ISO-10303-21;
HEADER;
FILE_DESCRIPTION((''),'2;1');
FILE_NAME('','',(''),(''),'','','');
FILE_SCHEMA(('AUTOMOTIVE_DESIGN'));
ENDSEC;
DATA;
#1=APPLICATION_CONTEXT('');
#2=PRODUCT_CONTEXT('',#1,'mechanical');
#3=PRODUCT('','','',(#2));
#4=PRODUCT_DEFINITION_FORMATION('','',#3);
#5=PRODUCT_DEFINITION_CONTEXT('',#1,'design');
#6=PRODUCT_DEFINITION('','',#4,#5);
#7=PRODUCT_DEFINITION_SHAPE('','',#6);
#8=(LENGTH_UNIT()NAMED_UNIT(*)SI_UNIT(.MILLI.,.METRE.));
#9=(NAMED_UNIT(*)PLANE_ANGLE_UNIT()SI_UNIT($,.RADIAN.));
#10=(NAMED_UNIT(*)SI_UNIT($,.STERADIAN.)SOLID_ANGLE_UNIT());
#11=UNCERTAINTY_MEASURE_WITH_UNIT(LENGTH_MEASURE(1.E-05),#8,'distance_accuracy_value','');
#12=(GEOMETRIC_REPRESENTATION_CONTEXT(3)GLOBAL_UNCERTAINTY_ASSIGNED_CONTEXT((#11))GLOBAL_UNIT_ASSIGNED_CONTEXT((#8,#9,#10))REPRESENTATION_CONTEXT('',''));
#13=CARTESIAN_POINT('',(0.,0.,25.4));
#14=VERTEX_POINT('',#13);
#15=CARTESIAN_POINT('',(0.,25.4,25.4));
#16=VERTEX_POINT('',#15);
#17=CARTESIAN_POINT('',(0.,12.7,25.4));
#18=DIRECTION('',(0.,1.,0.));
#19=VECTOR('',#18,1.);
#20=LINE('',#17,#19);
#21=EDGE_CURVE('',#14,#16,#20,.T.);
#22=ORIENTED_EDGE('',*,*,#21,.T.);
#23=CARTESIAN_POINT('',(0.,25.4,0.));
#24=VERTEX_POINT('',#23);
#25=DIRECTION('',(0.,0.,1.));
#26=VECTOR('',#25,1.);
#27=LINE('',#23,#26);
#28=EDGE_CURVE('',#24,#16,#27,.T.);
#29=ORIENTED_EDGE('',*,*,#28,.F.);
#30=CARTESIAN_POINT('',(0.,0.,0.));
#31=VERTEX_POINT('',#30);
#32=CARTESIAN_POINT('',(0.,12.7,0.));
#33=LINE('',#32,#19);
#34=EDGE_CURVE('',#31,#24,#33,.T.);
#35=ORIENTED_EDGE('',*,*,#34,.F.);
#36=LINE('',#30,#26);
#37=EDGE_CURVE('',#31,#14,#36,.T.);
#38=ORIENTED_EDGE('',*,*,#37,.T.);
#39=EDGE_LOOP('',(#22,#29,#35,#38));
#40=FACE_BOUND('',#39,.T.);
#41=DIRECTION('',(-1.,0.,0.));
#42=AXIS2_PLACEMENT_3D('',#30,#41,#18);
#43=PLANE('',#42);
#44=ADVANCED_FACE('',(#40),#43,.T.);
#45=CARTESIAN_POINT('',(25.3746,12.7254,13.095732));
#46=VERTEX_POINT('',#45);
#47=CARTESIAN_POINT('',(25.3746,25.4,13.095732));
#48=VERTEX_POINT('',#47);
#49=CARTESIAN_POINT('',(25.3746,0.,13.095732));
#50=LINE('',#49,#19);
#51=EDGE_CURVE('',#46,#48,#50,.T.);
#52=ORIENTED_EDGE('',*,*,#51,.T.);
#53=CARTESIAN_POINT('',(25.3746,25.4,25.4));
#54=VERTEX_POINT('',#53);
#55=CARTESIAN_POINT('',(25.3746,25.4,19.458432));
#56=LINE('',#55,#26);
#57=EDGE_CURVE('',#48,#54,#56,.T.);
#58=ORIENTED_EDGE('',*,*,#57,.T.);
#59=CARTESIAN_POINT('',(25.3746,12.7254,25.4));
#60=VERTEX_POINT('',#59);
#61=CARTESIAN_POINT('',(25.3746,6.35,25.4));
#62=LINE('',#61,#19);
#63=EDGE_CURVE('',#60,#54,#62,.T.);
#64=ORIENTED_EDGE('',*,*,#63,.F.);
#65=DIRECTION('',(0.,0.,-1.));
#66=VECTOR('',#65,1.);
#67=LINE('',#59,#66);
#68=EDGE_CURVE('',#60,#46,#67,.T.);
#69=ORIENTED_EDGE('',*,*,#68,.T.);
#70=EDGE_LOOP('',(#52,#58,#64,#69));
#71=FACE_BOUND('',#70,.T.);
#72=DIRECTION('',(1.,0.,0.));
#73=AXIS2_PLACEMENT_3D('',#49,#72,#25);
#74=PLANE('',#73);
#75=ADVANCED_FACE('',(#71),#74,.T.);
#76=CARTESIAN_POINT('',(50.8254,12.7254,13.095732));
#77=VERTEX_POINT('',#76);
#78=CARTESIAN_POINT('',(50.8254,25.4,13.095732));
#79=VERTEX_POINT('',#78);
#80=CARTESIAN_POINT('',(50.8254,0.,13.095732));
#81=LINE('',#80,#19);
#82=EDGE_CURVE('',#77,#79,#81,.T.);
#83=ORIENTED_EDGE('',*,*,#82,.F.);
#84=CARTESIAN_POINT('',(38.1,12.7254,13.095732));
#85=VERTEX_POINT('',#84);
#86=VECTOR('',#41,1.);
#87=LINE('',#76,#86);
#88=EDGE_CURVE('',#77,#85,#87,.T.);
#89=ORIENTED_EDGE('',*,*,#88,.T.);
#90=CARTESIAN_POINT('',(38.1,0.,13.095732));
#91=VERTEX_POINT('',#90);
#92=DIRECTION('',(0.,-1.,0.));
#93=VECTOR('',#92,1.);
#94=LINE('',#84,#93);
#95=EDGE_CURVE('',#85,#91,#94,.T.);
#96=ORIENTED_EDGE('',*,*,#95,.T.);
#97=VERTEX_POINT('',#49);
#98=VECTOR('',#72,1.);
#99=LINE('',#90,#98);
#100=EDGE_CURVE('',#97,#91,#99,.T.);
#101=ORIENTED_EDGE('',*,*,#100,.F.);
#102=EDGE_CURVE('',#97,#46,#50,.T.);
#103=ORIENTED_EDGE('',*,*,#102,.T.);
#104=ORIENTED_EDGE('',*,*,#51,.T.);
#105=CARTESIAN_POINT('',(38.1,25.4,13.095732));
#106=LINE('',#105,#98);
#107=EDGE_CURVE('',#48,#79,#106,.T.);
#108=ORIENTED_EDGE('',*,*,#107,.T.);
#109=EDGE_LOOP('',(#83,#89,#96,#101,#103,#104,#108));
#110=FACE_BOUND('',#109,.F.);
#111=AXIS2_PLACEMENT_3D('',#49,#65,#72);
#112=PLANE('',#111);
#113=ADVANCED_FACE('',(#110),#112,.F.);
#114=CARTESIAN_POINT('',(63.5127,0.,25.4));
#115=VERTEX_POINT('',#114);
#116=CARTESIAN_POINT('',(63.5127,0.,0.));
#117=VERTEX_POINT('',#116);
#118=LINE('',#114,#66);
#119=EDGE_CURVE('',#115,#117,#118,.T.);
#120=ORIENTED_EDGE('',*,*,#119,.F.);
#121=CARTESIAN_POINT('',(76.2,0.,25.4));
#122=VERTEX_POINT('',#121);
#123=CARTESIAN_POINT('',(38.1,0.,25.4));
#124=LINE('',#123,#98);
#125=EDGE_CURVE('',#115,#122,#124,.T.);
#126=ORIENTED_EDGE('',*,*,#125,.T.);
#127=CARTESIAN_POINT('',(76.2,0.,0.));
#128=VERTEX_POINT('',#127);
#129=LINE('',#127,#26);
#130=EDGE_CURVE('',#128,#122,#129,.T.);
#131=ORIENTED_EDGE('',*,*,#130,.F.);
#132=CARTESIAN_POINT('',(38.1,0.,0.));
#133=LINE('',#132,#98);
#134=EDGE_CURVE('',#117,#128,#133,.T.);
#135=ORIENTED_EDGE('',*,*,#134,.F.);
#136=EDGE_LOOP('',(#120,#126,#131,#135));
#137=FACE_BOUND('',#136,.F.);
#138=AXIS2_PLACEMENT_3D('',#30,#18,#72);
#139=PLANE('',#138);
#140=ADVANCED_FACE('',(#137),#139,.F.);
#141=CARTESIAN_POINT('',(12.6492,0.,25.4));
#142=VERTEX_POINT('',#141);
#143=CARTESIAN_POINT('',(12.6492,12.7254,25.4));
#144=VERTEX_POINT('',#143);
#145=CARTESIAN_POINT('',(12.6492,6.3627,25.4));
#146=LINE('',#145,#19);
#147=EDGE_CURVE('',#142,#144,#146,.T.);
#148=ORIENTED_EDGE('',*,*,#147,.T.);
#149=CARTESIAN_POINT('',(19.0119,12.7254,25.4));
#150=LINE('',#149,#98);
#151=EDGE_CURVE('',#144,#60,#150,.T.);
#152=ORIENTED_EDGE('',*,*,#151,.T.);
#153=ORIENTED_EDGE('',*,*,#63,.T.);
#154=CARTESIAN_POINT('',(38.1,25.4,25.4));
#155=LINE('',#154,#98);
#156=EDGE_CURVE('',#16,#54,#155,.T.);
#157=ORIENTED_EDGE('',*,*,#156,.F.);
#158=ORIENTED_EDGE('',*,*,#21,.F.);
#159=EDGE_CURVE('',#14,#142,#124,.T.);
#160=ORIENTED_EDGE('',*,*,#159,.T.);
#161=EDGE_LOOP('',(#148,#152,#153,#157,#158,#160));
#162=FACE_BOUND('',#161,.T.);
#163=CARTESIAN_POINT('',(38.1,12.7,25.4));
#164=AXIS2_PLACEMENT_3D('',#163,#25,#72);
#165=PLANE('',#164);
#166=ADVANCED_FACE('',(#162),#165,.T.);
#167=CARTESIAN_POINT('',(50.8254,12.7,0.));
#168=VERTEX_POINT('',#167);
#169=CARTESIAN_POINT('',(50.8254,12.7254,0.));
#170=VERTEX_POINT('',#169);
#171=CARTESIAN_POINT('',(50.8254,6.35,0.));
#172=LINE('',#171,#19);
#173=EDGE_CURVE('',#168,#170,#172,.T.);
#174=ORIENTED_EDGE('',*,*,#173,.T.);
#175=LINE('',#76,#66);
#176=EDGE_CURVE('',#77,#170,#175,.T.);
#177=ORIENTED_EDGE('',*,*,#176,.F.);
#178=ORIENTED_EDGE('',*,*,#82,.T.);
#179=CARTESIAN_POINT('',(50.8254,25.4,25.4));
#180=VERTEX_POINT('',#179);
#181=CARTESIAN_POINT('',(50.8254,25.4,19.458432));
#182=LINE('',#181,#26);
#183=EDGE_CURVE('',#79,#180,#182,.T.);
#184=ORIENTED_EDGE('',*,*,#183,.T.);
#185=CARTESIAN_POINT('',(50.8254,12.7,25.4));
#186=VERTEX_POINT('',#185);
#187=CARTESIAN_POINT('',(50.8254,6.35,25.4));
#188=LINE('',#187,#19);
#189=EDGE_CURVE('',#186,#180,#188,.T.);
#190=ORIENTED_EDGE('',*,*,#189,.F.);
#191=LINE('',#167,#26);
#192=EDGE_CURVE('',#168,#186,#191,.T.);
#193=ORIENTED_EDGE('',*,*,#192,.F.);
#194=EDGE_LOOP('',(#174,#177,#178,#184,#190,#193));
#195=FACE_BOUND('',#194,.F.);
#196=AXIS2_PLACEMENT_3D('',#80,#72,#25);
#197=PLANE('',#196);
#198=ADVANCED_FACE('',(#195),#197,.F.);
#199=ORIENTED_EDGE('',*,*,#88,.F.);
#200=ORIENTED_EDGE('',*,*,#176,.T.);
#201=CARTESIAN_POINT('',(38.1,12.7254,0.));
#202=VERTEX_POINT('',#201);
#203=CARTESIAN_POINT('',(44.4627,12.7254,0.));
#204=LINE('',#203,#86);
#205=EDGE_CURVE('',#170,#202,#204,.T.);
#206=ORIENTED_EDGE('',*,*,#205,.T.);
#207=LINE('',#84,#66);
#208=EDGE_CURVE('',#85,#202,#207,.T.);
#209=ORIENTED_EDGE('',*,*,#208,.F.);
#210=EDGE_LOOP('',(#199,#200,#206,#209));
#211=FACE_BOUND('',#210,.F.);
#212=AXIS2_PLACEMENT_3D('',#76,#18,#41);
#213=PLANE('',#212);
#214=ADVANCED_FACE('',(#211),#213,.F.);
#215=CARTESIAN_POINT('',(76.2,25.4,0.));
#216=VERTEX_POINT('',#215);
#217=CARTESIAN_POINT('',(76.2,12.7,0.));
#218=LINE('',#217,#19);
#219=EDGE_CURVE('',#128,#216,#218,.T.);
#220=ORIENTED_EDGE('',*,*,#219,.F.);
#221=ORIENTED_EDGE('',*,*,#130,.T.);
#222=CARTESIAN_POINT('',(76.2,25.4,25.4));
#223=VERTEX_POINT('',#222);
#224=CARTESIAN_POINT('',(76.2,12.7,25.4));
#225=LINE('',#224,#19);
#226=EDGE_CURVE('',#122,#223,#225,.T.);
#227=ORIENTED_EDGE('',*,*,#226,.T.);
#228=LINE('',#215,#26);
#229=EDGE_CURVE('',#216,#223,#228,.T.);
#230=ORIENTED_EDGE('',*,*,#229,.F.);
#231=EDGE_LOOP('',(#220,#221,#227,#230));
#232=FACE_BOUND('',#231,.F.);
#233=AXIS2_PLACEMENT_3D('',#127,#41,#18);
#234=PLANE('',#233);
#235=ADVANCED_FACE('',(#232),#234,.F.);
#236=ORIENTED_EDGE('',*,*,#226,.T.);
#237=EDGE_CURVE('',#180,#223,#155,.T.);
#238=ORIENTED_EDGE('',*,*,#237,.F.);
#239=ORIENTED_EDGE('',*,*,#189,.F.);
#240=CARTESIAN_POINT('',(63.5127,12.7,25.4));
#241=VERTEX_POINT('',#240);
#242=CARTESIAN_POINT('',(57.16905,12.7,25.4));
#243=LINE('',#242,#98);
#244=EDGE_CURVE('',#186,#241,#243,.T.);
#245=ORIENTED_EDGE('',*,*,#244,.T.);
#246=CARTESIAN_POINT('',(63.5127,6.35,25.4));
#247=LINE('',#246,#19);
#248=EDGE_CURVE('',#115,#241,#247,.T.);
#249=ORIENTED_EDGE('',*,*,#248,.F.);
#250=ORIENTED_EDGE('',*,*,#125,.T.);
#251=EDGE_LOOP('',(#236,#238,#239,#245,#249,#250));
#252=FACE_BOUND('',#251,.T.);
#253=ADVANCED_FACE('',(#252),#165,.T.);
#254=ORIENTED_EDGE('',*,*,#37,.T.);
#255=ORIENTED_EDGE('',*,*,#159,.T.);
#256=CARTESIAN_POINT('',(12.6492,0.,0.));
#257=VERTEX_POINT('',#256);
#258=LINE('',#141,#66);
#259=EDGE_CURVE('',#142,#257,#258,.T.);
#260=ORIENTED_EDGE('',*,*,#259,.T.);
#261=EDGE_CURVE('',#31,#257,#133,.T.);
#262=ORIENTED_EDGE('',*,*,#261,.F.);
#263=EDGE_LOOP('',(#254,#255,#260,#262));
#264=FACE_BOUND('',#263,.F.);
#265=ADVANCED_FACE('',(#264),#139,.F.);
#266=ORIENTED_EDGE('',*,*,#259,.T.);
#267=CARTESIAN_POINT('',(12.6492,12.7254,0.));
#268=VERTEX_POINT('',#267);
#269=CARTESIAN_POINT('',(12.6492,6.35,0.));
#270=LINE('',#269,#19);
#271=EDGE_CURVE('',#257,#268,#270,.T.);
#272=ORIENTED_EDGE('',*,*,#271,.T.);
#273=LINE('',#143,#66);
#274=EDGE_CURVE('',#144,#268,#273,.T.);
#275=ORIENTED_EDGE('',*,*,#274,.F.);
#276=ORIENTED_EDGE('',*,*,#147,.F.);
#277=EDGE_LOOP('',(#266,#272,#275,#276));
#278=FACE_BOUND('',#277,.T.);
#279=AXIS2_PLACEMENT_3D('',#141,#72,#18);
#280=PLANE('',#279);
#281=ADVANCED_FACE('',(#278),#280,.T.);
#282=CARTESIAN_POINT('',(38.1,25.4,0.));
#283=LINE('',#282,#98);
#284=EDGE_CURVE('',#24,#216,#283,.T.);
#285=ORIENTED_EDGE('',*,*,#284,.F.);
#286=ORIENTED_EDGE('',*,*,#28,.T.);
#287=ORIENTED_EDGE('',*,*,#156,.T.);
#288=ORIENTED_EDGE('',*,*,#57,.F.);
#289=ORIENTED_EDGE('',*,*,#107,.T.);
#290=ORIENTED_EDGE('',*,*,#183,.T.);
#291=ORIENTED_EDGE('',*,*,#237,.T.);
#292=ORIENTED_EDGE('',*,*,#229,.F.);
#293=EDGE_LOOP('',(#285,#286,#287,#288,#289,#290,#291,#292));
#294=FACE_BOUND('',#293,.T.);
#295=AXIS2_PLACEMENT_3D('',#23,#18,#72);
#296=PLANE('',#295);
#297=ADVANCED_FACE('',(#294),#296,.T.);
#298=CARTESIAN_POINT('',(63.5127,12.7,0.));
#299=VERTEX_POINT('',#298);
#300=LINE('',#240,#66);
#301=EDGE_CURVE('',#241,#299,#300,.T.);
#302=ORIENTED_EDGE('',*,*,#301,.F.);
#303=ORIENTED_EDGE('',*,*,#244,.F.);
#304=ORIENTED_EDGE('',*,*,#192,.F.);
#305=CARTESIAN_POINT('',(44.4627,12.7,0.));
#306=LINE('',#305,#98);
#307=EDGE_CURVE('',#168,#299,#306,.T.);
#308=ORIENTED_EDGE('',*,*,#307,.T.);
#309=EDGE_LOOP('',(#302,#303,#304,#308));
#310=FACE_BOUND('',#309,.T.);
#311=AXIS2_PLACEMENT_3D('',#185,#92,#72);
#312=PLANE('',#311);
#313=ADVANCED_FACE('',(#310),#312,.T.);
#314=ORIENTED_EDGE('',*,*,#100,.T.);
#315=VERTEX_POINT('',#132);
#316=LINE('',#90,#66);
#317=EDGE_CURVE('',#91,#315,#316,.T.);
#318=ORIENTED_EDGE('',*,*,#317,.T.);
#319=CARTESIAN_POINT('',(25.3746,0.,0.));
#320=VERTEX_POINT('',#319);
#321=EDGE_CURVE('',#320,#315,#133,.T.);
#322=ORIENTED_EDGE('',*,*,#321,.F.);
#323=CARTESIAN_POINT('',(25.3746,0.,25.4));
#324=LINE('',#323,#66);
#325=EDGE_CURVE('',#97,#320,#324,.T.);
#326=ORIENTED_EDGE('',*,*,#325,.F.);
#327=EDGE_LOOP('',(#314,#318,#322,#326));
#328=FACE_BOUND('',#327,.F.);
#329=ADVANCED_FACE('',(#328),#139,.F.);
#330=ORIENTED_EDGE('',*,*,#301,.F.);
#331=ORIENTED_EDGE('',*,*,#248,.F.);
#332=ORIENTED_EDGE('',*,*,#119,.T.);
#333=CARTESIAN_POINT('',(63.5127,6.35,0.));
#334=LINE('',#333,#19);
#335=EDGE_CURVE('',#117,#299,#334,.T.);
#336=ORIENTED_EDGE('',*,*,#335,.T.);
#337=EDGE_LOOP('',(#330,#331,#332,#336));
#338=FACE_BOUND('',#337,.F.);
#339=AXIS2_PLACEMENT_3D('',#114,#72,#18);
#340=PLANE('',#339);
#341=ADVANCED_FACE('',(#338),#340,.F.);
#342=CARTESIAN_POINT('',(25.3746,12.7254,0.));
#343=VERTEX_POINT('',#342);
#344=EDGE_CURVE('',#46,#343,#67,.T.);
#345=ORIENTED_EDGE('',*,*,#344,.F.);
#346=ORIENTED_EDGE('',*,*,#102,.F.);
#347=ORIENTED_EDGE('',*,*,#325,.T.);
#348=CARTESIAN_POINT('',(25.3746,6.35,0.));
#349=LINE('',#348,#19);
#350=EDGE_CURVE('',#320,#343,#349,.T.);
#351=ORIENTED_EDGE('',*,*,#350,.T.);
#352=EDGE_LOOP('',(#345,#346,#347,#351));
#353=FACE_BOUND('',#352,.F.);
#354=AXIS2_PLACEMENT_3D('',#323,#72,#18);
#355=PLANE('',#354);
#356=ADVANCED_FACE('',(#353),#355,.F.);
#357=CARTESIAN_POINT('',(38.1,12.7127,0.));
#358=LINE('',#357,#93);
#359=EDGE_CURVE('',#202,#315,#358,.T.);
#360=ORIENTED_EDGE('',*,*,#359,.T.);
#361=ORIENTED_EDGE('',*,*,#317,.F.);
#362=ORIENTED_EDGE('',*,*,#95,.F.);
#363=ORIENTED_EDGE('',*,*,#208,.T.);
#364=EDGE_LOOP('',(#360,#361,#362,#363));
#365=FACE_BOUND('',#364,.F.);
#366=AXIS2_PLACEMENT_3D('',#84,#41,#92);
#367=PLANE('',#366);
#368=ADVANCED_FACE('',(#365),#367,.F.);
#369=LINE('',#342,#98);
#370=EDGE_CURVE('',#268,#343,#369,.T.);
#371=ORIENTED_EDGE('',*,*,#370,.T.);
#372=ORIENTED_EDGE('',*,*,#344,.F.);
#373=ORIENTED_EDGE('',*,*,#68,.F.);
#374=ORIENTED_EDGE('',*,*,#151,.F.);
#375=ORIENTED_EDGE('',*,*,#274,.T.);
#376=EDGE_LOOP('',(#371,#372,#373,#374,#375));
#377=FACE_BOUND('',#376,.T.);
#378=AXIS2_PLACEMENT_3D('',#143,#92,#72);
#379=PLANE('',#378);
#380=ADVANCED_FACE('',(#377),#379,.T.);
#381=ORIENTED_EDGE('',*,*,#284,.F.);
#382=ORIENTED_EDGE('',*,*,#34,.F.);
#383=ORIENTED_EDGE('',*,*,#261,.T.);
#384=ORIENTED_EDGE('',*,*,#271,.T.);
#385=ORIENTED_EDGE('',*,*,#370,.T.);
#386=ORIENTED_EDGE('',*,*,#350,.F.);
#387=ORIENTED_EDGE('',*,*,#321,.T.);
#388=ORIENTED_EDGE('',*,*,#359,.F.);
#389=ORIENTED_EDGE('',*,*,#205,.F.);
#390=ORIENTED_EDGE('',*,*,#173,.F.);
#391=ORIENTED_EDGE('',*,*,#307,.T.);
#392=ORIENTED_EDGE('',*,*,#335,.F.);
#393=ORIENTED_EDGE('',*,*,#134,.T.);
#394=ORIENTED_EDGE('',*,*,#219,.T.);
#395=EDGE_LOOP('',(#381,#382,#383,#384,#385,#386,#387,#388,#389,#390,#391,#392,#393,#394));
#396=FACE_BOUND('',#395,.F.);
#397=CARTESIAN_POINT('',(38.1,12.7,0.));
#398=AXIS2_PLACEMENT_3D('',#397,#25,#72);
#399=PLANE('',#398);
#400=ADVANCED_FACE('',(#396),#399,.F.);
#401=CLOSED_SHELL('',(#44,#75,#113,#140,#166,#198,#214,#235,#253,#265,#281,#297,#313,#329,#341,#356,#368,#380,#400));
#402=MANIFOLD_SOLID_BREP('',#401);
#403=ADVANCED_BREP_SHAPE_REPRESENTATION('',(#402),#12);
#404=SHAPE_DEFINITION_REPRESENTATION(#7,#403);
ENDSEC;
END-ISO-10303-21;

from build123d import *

# Parameters (mm, degrees)
F0_W     = 76.2
F0_H     = 25.4
F1_DEPTH = 25.4
F2_W     = 25.4508
F2_H     = 12.7254
F3_DEPTH = 25.4
F4_W     = 12.7254
F4_H     = 12.7254
F5_DEPTH = 25.654
F6_W     = 12.6873
F6_H     = 12.7
F7_DEPTH = 25.654
F9_DEPTH = 25.4


with BuildPart() as f1:
    # F0 (on Top) → F1 (new body)
    with BuildSketch(Plane.XY):
        with Locations((38.1, 12.7)):
            Rectangle(F0_W, F0_H)
    extrude(amount=F1_DEPTH)

    # F2 (on Front) → F3 (cut)
    with BuildSketch(Plane.XZ):
        with Locations((38.1, 19.4584317505)):
            Rectangle(F2_W, F2_H)
    extrude(amount=-F3_DEPTH, mode=Mode.SUBTRACT)

    # F4 (on face) → F5 (cut)
    with BuildSketch(Plane.XY.offset(25.4)):
        with Locations((19.0119, 6.3627)):
            Rectangle(F4_W, F4_H)
    extrude(amount=-F5_DEPTH, mode=Mode.SUBTRACT)

    # F6 (on face) → F7 (cut)
    with BuildSketch(Plane.XY.offset(25.4)):
        with Locations((57.16905, 6.35)):
            Rectangle(F6_W, F6_H)
    extrude(amount=-F7_DEPTH, mode=Mode.SUBTRACT)

    # F8 (on face) → F9 (cut)
    with BuildSketch(Plane.XY.offset(13.0957317505)):
        Polygon((38.1, 0), (50.8254, 0), (50.8254, 12.7), (50.8254, 12.7254), (38.1, 12.7254), align=None)
    extrude(amount=-F9_DEPTH, mode=Mode.SUBTRACT)


solid = f1.part
